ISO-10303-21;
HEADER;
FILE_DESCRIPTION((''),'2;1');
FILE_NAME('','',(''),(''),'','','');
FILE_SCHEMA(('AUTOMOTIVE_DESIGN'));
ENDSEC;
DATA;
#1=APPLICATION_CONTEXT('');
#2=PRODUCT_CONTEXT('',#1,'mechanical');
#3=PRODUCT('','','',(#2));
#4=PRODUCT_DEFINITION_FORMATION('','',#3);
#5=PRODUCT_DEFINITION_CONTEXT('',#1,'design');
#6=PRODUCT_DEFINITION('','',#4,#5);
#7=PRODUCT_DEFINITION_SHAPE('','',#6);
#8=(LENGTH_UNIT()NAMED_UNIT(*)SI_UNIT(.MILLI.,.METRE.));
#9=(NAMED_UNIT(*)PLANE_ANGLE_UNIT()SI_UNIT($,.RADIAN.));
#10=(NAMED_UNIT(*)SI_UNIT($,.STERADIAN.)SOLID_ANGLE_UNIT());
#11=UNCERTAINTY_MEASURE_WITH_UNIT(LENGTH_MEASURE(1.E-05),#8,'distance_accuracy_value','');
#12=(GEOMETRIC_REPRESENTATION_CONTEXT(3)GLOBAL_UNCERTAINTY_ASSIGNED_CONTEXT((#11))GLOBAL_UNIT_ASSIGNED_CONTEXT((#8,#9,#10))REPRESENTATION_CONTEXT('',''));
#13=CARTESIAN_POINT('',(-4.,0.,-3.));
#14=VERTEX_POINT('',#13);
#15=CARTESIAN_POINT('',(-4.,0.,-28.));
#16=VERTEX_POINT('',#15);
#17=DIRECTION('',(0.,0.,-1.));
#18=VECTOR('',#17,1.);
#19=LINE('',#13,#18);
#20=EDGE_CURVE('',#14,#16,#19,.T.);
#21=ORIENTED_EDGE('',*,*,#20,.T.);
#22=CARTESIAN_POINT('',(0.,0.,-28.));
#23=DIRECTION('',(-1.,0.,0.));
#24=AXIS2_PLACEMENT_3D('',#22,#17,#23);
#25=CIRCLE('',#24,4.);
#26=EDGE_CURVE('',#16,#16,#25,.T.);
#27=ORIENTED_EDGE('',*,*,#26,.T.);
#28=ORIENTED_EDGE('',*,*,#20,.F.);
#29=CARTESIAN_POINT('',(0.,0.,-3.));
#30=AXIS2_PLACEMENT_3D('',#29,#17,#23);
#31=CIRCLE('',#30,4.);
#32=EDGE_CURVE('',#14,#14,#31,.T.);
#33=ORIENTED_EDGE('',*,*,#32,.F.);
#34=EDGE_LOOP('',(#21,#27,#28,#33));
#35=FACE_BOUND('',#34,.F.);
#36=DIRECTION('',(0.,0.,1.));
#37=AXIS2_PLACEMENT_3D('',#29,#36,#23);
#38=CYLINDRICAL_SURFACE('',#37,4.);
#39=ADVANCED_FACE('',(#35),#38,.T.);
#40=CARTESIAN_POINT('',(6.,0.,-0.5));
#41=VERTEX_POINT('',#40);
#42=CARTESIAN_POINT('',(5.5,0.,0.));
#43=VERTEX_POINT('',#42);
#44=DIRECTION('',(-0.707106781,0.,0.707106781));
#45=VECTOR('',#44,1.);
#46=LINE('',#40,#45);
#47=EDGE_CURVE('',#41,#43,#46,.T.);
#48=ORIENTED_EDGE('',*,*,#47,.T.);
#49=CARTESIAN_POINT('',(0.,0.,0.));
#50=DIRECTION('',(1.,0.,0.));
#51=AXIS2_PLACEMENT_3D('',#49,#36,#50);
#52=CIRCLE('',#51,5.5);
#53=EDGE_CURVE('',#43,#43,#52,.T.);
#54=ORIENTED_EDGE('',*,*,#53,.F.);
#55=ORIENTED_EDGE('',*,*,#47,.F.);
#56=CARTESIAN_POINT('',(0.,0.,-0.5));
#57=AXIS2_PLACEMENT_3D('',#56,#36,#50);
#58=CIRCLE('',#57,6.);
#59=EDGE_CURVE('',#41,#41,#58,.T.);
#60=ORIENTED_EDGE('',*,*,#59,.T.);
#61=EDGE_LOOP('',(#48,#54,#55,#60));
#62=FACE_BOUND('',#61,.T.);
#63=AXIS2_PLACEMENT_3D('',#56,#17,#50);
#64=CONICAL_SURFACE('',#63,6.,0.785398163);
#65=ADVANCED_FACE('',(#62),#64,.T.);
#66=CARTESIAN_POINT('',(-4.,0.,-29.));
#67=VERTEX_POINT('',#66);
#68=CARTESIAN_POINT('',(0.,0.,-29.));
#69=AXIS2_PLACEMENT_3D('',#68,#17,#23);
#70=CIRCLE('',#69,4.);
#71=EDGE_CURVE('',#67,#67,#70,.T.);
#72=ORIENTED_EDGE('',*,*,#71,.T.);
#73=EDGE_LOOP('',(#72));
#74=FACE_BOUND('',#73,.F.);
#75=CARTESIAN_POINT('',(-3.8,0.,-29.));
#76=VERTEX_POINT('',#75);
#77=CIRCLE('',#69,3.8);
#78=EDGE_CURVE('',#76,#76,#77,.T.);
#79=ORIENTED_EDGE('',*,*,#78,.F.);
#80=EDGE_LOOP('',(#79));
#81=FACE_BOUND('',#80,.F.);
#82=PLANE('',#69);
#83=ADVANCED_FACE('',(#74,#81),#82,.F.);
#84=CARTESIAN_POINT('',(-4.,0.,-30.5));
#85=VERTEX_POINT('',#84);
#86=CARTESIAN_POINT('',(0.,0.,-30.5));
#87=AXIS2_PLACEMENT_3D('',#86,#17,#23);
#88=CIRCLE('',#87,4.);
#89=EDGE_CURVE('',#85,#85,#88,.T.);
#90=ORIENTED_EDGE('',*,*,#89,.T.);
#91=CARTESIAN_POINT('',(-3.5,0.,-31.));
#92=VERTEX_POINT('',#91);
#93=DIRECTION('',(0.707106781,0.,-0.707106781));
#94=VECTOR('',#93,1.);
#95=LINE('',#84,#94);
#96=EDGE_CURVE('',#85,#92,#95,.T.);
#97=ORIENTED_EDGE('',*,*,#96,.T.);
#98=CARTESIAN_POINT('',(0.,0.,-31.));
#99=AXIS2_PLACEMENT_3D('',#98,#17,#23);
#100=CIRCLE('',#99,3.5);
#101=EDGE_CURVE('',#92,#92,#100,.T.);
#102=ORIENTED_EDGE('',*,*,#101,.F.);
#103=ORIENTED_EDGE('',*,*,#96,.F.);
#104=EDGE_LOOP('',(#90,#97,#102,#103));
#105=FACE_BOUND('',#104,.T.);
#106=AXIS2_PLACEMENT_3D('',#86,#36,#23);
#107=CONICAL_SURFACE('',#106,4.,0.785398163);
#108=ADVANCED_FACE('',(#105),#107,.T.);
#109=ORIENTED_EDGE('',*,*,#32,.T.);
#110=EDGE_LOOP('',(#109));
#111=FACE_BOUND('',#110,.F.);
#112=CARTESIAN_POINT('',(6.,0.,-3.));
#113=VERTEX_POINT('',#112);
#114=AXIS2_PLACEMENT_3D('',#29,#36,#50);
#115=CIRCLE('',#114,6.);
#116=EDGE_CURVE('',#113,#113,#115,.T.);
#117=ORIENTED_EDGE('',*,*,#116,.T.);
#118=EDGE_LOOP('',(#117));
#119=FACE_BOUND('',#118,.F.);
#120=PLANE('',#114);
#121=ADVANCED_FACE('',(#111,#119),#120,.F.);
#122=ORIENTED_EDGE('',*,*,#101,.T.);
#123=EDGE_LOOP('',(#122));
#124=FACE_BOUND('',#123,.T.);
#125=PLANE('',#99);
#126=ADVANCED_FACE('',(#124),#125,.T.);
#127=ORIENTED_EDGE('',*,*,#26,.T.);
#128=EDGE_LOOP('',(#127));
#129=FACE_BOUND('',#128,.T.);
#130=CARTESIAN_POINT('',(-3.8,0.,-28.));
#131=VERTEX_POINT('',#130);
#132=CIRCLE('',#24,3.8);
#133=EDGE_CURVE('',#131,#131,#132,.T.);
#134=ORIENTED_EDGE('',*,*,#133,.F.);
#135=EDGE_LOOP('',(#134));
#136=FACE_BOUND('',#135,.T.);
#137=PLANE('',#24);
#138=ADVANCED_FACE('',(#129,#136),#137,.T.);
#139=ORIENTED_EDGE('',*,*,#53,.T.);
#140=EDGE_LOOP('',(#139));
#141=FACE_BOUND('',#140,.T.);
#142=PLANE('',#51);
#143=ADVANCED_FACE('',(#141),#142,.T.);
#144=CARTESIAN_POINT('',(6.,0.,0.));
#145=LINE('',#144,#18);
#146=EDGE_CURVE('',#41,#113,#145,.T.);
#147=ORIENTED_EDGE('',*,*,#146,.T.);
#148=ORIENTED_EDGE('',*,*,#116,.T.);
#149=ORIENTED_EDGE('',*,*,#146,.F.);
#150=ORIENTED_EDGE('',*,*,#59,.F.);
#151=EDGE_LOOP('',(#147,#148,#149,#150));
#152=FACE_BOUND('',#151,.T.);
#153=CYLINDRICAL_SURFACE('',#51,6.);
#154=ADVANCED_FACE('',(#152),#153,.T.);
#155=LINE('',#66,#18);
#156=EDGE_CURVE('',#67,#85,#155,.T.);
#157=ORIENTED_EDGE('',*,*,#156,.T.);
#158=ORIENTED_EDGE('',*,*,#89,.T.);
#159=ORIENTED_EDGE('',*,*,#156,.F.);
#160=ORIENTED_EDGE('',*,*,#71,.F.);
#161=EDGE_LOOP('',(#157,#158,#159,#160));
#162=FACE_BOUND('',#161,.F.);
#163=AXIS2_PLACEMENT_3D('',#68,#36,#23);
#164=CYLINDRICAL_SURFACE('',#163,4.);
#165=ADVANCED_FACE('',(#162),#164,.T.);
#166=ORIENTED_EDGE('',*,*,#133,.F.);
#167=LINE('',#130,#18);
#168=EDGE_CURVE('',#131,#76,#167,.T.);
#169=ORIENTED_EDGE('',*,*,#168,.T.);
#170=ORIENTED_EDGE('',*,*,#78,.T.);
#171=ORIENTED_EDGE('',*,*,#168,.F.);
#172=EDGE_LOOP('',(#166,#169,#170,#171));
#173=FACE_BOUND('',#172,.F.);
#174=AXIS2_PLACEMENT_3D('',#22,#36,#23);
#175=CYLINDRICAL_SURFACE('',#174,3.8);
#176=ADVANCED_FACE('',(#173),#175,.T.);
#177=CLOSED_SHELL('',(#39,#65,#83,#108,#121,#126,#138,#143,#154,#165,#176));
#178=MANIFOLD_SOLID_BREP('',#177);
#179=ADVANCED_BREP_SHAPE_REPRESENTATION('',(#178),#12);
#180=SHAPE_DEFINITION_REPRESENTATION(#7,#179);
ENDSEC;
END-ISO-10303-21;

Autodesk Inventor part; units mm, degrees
ref_plane "YZ Plane" through (0, 0, 0) normal (1, 0, 0) x (0, 1, 0)
ref_plane "XZ Plane" through (0, 0, 0) normal (0, 1, 0) x (-1, 0, 0)
ref_plane "XY Plane" through (0, 0, 0) normal (0, 0, 1) x (1, 0, 0)
sketch "Sketch1" plane through (0, 0, 0) normal (0, 0, 1) x (1, 0, 0)
  circle A0 centre (0, 0) radius 6
  dimension "d0" = 12
extrude "Extrusion1" add sketch "Sketch1" against normal blind 3
chamfer "Chamfer1" distance 0.5 angle 45 1 edges at (-6, 0, 0) measured on face at (5.9805, -0.4828, -2)
sketch "Sketch2" plane through (0, 0, -3) normal (0, 0, -1) x (-1, 0, 0)
  circle A0 centre (0, 0) radius 4
  dimension "d6" = 8
extrude "Extrusion2" add sketch "Sketch2" along normal blind 25
sketch "Sketch3" plane through (0, 0, -28) normal (0, 0, -1) x (-1, 0, 0)
  circle A0 centre (0, 0) radius 3.8
  dimension "d9" = 7.6
extrude "Extrusion3" add sketch "Sketch3" along normal blind 1
sketch "Sketch4" plane through (0, 0, -29) normal (0, 0, -1) x (-1, 0, 0)
  circle A0 centre (0, 0) radius 4
extrude "Extrusion4" add sketch "Sketch4" along normal blind 2
chamfer "Chamfer2" distance 0.5 angle 45 1 edges at (4, 0, -31)
properties part number "Bolt"
